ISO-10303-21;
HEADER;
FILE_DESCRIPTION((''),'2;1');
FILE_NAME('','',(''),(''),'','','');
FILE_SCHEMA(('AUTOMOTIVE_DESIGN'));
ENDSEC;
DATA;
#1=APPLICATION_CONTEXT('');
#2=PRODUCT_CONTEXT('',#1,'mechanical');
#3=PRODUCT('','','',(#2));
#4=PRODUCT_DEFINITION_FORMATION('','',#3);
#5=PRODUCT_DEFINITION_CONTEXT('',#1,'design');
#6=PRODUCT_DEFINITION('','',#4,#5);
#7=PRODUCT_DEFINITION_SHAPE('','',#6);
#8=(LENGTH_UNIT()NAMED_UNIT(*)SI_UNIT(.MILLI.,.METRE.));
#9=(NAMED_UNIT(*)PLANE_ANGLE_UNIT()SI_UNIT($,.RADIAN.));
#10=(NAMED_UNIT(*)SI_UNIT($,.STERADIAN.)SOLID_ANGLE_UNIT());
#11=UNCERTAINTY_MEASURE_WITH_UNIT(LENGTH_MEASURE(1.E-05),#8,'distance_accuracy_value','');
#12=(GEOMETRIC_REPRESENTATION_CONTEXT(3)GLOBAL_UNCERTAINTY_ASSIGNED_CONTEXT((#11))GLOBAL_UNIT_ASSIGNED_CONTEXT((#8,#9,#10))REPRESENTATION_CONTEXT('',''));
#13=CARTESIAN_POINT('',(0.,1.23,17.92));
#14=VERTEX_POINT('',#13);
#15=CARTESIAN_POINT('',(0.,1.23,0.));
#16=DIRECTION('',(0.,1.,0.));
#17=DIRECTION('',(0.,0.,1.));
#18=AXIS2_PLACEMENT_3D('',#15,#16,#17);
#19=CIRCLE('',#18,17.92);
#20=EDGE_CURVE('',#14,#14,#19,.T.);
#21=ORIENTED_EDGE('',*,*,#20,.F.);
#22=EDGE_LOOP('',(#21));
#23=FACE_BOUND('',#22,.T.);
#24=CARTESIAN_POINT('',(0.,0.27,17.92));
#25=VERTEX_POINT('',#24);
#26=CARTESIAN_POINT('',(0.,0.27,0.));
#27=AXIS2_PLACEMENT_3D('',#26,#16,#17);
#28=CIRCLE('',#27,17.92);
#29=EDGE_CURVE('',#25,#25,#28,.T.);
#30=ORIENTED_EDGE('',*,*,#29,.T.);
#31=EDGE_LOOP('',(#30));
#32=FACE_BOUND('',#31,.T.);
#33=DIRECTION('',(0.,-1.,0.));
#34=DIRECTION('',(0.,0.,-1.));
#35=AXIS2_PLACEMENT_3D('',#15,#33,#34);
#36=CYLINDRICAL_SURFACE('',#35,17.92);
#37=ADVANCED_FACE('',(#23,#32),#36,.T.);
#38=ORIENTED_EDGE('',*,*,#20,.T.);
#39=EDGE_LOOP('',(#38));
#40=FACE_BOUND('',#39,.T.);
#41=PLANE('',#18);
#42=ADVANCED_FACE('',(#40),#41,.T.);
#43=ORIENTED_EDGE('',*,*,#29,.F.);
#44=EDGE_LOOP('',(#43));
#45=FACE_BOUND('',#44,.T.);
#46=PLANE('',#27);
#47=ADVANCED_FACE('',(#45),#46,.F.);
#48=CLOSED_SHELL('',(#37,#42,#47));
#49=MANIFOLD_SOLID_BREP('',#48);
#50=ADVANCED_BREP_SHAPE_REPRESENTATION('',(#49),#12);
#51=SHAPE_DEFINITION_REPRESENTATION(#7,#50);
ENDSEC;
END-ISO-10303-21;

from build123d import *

# Parameters (mm, degrees)
SKETCH1_R           = 28
BOSS_EXTRUDE1_DEPTH = 1.5
SCALE1_SCALE        = 0.64


with BuildPart() as part:
    # Sketch1 → Boss-Extrude1 (new body)
    with BuildSketch(Plane(origin=(0, 0, 0), x_dir=(1, 0, 0), z_dir=(0, 1, 0))):
        with Locations(Location((0, 0, 0), (0, 0, 270))):
            Circle(SKETCH1_R)
    extrude(amount=BOSS_EXTRUDE1_DEPTH)


with BuildPart() as part_1:
    # Scale1: scaled about (0, 0.75, 0)
    add(part.part.scale(SCALE1_SCALE).moved(Location((0, 0.27, 0))))


solid = part_1.part
